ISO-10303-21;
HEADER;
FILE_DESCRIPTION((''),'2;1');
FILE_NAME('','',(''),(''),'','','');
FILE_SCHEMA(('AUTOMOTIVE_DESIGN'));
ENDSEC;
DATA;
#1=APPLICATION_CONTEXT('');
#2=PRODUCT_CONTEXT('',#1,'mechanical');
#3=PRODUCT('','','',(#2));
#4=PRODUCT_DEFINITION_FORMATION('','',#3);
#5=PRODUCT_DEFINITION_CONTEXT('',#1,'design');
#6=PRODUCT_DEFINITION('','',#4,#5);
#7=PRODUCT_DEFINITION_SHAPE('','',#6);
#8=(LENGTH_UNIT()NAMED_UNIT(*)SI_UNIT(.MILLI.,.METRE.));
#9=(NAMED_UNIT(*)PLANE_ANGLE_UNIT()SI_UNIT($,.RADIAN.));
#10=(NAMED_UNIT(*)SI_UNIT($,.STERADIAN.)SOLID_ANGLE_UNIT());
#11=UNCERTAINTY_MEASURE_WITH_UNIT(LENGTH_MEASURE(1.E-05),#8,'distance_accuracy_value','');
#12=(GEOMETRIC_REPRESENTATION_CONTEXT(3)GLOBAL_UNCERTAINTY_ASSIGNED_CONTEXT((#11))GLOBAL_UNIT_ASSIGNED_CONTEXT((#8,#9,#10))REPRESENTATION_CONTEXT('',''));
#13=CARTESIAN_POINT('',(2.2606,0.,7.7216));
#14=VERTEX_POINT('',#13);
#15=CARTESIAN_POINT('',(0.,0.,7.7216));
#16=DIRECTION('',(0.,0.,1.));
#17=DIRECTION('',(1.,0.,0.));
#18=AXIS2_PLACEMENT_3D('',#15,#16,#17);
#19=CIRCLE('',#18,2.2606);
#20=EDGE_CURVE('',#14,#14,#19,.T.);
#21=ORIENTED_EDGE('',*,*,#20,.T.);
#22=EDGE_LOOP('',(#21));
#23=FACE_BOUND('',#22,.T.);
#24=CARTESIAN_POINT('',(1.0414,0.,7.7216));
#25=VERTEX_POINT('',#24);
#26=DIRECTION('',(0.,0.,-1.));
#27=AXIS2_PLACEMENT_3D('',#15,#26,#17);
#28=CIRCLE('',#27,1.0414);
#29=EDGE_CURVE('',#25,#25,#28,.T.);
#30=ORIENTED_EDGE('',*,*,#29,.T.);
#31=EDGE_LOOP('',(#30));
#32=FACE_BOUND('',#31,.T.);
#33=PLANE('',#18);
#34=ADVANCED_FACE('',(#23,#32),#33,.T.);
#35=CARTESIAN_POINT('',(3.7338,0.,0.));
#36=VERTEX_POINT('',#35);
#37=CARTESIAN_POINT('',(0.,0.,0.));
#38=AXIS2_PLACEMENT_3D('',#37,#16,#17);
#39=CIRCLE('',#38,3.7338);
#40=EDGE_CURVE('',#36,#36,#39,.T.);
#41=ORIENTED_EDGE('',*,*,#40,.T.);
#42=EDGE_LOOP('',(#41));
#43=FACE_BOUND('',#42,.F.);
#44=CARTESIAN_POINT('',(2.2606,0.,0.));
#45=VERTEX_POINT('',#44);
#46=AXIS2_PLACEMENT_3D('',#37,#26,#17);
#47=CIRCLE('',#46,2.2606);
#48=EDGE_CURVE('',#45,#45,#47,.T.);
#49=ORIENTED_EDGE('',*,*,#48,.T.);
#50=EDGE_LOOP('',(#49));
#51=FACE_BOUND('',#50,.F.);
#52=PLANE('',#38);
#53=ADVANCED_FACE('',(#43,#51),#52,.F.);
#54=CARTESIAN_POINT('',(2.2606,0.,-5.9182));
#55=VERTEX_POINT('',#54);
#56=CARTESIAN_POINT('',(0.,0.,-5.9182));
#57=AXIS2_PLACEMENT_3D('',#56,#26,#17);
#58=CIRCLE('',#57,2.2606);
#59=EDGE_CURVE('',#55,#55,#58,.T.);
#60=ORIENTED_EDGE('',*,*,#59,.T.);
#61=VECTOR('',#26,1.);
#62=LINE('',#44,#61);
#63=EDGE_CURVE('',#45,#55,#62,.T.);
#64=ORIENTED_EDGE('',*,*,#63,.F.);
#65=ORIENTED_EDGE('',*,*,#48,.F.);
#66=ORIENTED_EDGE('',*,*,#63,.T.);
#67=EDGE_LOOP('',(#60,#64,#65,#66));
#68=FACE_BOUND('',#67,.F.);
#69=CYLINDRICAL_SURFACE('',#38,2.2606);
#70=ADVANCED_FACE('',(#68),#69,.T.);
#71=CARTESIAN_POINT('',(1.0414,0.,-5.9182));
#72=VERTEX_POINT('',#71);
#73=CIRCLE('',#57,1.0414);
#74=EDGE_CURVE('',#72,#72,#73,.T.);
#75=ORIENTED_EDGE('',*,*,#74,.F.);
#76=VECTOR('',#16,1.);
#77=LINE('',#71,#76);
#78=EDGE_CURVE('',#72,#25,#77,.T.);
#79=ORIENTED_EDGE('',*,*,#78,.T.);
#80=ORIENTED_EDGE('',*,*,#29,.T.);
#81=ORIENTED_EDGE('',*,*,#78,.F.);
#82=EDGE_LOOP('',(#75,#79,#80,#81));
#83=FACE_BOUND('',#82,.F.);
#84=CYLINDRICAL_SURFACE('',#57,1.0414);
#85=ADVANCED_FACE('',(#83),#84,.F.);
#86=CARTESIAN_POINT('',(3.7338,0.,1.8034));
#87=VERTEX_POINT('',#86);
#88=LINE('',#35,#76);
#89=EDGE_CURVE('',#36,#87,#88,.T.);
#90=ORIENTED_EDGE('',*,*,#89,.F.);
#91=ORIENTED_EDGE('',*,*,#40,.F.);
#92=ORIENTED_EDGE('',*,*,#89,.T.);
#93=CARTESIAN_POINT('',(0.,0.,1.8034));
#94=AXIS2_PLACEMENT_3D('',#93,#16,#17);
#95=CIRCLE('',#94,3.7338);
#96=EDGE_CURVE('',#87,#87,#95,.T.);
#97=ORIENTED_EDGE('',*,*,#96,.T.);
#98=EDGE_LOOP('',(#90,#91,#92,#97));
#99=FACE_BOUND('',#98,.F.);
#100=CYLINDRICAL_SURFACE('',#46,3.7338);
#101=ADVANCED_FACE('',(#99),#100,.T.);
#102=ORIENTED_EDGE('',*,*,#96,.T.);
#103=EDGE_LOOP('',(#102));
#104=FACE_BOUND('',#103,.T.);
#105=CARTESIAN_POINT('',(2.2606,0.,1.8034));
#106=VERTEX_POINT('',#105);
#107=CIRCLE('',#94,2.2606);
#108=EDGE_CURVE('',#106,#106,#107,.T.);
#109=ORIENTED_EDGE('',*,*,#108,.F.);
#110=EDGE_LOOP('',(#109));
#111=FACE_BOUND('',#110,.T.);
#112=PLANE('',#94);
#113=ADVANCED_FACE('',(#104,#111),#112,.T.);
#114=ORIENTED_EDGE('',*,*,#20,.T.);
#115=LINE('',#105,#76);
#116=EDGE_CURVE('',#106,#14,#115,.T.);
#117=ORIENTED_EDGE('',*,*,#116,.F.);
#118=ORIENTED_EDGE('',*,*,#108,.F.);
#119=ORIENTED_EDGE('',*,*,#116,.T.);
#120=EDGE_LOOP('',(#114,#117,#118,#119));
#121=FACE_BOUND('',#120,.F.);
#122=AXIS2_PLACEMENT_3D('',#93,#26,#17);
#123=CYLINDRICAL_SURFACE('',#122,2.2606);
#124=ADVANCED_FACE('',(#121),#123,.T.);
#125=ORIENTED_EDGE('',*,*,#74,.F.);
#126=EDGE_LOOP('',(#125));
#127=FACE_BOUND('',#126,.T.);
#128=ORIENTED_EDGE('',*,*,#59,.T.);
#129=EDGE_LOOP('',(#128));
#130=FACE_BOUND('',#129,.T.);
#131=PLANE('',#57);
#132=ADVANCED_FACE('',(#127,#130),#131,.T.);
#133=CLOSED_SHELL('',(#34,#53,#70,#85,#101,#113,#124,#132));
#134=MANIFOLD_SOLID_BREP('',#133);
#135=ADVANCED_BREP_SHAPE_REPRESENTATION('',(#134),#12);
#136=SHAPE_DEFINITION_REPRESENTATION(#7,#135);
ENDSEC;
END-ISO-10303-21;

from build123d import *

# Parameters (mm, degrees)
F0_R     = 3.7338
F1_DEPTH = 1.8034
F2_R     = 2.2606
F3_DEPTH = 5.9182
F4_R     = 2.2606
F5_DEPTH = 5.9182
F6_R     = 1.0414
F7_DEPTH = 25.4


with BuildPart() as f1:
    # F0 (on Top) → F1 (new body)
    with BuildSketch(Plane.XY):
        Circle(F0_R)
    extrude(amount=F1_DEPTH)

    # F2 (on face) → F3 (join)
    with BuildSketch(Plane.XY.offset(1.8034)):
        Circle(F2_R)
    extrude(amount=F3_DEPTH)

    # F4 (on face) → F5 (join)
    with BuildSketch(Plane(origin=(0, 0, 0), x_dir=(1, 0, 0), z_dir=(0, 0, -1))):
        Circle(F4_R)
    extrude(amount=F5_DEPTH)

    # F6 (on face) → F7 (cut)
    with BuildSketch(Plane(origin=(0, 0, -5.9182), x_dir=(1, 0, 0), z_dir=(0, 0, -1))):
        Circle(F6_R)
    extrude(amount=-F7_DEPTH, mode=Mode.SUBTRACT)


solid = f1.part
